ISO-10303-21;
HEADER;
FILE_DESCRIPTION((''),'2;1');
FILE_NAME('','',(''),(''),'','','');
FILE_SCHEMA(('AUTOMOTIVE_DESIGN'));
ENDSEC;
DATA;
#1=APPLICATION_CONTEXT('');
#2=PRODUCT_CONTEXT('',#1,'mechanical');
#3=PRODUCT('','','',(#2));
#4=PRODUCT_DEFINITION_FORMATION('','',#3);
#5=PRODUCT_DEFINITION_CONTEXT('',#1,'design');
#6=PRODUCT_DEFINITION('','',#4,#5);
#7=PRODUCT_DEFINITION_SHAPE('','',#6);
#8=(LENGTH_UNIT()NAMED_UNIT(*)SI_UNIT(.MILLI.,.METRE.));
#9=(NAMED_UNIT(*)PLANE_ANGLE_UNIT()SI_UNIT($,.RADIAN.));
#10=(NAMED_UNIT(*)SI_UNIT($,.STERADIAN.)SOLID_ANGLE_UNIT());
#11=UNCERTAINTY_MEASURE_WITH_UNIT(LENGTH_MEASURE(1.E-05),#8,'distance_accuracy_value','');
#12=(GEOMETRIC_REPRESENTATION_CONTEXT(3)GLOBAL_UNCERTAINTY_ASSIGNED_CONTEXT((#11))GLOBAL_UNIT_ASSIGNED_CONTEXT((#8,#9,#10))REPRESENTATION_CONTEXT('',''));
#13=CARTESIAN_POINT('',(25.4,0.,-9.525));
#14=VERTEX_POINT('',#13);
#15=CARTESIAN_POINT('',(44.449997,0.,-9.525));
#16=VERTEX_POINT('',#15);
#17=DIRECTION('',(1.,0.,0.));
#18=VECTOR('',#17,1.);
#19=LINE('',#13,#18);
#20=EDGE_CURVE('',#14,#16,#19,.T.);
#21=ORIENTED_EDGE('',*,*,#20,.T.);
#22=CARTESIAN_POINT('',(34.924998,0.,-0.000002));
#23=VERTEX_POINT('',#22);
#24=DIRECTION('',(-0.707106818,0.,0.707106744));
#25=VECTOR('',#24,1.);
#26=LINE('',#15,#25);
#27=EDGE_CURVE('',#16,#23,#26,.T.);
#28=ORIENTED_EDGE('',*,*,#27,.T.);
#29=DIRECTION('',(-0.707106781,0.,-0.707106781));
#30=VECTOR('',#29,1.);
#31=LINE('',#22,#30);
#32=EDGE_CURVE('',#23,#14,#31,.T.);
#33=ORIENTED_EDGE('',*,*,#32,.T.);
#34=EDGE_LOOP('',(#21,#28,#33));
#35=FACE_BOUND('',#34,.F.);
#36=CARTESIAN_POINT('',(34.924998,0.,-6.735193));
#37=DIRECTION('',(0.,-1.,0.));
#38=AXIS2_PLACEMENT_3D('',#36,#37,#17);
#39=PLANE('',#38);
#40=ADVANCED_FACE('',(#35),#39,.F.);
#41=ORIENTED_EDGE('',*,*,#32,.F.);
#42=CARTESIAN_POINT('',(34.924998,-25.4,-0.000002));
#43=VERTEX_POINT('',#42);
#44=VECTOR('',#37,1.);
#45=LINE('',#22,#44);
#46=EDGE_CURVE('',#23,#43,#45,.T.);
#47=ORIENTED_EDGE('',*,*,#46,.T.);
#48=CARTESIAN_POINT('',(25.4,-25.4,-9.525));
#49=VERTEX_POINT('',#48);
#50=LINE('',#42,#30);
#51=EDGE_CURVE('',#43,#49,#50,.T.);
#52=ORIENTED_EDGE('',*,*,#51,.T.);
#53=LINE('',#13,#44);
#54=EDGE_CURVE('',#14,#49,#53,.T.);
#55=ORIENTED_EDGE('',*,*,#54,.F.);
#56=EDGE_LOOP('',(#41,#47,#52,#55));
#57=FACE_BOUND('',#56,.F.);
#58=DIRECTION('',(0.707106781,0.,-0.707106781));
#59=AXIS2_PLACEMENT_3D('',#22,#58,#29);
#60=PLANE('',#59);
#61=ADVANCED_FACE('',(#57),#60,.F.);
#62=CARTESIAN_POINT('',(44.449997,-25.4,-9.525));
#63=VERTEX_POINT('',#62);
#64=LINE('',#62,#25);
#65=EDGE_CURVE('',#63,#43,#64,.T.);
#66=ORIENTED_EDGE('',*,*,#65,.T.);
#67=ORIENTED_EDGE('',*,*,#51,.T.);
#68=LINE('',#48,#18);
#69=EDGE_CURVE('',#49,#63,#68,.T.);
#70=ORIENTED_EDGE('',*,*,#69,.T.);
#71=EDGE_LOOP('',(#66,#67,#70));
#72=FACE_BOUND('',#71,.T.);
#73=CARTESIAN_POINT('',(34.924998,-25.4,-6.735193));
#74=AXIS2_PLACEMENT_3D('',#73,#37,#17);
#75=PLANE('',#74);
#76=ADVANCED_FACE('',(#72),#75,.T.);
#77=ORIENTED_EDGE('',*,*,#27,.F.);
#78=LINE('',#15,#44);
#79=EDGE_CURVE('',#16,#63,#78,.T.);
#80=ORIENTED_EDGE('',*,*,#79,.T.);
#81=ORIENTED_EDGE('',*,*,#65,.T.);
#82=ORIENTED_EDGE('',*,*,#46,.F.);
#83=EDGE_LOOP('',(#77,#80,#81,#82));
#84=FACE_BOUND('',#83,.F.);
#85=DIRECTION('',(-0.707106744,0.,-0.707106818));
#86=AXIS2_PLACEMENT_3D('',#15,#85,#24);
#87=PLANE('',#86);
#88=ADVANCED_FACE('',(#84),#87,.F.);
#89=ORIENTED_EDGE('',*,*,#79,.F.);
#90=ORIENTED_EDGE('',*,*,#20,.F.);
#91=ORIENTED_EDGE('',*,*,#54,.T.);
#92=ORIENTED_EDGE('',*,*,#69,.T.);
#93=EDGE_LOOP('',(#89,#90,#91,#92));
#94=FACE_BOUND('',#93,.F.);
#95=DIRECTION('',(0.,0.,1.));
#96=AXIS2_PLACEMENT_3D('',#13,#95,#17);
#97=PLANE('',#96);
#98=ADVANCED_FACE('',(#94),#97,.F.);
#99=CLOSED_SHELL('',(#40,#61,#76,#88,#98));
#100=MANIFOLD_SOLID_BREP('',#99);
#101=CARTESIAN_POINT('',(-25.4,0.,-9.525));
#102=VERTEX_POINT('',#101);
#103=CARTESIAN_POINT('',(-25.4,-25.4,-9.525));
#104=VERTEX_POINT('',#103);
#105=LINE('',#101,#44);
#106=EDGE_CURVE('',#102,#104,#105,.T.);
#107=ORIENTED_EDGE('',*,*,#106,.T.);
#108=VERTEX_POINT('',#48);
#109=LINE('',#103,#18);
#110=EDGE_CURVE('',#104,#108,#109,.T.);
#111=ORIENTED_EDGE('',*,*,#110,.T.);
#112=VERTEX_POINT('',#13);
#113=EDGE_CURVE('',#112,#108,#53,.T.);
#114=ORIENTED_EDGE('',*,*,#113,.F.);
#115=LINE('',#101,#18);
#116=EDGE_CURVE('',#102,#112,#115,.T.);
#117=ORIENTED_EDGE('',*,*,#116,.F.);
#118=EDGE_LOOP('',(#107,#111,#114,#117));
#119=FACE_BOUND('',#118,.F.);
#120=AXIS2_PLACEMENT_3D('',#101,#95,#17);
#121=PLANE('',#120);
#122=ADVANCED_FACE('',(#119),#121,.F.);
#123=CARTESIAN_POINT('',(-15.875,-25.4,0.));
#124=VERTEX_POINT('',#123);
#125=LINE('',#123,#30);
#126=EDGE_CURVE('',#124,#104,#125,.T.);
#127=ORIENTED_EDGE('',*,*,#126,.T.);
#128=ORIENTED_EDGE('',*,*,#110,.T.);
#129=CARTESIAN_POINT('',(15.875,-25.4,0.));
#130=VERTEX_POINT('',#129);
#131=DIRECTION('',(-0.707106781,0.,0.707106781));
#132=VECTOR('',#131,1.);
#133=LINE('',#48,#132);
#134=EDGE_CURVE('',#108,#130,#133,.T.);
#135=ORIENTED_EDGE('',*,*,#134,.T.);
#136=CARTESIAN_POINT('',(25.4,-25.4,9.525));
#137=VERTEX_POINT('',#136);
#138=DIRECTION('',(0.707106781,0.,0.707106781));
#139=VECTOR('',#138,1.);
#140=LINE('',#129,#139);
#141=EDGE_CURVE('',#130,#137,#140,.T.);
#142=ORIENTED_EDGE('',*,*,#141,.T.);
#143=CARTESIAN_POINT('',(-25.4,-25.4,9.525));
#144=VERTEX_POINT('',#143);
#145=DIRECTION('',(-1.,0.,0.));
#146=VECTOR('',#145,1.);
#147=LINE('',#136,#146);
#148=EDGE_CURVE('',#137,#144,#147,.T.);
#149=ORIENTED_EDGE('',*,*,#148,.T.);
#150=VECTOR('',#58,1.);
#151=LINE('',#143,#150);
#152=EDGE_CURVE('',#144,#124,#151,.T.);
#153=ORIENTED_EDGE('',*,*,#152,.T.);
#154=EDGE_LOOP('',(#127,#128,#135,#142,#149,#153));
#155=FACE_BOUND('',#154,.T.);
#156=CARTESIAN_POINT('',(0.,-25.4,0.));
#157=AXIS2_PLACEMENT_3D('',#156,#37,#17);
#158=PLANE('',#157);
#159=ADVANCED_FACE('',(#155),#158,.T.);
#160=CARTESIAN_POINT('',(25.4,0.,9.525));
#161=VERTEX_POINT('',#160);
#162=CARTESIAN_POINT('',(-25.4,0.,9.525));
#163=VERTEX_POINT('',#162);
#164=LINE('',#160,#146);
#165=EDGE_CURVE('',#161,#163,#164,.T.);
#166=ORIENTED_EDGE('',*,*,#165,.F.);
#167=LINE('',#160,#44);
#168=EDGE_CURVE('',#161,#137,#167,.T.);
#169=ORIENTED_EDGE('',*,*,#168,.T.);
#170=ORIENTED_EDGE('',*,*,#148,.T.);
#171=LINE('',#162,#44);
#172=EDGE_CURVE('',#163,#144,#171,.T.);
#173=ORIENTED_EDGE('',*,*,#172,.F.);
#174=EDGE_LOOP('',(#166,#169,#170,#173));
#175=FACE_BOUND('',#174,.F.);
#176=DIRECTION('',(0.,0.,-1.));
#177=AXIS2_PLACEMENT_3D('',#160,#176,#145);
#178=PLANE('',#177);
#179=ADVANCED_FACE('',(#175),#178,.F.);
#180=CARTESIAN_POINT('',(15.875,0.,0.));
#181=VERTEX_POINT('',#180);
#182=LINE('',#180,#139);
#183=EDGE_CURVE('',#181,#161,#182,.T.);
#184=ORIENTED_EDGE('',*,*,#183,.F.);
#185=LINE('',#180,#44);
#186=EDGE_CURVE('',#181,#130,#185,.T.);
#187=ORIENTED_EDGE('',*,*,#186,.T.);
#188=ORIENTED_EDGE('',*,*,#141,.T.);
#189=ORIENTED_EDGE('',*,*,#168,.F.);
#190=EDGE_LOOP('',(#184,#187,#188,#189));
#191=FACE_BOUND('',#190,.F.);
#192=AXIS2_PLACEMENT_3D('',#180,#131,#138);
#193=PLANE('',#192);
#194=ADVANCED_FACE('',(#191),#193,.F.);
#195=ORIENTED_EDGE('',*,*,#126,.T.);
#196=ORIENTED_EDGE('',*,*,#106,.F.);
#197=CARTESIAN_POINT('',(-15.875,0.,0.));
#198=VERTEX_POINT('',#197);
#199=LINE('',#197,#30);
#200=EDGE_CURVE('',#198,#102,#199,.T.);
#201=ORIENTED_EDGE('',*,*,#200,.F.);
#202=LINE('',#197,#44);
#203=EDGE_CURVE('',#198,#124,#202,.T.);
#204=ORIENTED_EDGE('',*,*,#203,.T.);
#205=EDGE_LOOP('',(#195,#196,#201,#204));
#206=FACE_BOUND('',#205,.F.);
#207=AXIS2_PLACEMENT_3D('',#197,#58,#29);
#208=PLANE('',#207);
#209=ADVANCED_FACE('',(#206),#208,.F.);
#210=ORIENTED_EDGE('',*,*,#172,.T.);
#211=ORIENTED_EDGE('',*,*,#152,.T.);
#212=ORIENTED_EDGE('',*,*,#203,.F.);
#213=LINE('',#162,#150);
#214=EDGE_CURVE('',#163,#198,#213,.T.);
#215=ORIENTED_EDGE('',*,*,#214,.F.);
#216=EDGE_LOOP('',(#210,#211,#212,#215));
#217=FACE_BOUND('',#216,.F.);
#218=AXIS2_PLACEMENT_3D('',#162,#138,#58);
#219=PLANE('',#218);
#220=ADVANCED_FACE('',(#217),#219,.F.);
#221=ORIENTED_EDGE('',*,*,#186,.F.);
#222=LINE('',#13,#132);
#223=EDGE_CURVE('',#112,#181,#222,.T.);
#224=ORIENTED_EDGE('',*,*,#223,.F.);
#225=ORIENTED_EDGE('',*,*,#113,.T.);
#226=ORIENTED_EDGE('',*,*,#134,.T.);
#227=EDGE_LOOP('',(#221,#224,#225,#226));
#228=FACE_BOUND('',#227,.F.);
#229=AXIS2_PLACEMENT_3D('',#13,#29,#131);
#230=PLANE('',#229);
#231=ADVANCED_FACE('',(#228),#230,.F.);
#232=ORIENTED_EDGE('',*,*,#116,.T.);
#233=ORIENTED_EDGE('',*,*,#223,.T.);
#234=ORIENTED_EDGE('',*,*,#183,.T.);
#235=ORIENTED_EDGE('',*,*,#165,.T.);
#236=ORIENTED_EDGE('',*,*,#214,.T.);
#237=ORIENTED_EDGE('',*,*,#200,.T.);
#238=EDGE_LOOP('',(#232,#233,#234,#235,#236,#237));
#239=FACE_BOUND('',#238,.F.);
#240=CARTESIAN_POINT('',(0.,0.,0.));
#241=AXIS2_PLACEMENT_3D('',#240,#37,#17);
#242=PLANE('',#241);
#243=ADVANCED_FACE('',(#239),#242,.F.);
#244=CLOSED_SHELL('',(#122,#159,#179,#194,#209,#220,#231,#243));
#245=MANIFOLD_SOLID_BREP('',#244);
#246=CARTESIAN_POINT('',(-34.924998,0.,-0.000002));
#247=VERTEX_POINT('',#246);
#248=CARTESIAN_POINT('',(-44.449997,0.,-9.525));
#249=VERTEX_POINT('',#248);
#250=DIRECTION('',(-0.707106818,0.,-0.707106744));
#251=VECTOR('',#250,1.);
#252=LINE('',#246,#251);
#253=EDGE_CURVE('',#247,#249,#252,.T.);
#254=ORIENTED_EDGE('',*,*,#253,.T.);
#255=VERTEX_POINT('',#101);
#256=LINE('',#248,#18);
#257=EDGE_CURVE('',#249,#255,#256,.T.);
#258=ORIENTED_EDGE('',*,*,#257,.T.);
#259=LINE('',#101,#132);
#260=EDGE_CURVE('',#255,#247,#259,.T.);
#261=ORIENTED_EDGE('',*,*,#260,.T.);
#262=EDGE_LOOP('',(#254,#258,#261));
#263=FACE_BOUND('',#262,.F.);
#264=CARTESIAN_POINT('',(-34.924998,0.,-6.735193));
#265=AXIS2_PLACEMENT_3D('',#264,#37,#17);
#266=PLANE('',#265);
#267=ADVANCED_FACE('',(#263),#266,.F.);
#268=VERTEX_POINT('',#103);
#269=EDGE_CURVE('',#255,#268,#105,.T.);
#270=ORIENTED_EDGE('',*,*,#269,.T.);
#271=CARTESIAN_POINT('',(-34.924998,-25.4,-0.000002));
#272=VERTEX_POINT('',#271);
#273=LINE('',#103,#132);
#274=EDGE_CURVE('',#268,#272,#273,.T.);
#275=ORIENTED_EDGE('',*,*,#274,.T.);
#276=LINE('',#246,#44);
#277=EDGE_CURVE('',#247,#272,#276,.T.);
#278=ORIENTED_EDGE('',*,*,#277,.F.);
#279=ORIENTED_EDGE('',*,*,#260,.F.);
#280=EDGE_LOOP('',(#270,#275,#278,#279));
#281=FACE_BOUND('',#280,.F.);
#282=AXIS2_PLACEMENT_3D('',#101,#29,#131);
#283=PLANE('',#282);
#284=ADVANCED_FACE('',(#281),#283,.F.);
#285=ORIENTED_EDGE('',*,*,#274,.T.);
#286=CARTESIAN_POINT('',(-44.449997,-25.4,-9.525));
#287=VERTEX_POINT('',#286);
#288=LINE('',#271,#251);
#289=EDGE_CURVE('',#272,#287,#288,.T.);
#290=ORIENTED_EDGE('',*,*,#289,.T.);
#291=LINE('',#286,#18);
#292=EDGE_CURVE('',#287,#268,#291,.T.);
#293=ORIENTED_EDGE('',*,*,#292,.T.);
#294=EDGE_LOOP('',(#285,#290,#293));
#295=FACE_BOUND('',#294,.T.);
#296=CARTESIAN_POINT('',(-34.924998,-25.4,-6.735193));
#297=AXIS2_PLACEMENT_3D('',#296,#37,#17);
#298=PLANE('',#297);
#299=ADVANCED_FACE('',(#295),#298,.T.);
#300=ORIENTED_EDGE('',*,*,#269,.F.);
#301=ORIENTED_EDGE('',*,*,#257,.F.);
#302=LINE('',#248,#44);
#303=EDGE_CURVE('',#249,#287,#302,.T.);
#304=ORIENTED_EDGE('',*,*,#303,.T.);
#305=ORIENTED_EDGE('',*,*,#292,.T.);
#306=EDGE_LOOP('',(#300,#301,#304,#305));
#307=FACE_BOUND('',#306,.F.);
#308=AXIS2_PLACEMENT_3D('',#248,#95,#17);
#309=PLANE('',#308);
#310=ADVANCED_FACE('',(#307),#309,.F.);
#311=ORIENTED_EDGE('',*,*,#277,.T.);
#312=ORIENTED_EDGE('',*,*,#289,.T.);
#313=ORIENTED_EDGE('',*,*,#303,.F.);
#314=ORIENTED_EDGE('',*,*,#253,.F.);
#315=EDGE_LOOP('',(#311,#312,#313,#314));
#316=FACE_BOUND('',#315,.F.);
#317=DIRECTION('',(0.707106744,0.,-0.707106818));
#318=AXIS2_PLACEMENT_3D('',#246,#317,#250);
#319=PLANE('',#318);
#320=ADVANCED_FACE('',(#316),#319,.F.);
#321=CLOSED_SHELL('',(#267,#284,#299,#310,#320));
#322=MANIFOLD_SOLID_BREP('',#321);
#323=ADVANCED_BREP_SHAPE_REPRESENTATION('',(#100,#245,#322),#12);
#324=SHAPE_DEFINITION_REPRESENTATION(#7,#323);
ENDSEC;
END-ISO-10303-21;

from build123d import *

# Parameters (mm, degrees)
F1_DEPTH = 25.4


with BuildPart() as f1:
    # F0 (on Front) → F1 (new body)
    with BuildSketch(Plane.XZ):
        Polygon((-15.875, 0), (-25.4, -9.525), (25.4, -9.525), (15.875, 0), (25.4, 9.525), (-25.4, 9.525), align=None)
        Polygon((-44.449997, -9.525), (-25.4, -9.525), (-34.924998, -2e-06), align=None)
        Polygon((34.924998, -2e-06), (25.4, -9.525), (44.449997, -9.525), align=None)
    extrude(amount=F1_DEPTH)


solid = f1.part
